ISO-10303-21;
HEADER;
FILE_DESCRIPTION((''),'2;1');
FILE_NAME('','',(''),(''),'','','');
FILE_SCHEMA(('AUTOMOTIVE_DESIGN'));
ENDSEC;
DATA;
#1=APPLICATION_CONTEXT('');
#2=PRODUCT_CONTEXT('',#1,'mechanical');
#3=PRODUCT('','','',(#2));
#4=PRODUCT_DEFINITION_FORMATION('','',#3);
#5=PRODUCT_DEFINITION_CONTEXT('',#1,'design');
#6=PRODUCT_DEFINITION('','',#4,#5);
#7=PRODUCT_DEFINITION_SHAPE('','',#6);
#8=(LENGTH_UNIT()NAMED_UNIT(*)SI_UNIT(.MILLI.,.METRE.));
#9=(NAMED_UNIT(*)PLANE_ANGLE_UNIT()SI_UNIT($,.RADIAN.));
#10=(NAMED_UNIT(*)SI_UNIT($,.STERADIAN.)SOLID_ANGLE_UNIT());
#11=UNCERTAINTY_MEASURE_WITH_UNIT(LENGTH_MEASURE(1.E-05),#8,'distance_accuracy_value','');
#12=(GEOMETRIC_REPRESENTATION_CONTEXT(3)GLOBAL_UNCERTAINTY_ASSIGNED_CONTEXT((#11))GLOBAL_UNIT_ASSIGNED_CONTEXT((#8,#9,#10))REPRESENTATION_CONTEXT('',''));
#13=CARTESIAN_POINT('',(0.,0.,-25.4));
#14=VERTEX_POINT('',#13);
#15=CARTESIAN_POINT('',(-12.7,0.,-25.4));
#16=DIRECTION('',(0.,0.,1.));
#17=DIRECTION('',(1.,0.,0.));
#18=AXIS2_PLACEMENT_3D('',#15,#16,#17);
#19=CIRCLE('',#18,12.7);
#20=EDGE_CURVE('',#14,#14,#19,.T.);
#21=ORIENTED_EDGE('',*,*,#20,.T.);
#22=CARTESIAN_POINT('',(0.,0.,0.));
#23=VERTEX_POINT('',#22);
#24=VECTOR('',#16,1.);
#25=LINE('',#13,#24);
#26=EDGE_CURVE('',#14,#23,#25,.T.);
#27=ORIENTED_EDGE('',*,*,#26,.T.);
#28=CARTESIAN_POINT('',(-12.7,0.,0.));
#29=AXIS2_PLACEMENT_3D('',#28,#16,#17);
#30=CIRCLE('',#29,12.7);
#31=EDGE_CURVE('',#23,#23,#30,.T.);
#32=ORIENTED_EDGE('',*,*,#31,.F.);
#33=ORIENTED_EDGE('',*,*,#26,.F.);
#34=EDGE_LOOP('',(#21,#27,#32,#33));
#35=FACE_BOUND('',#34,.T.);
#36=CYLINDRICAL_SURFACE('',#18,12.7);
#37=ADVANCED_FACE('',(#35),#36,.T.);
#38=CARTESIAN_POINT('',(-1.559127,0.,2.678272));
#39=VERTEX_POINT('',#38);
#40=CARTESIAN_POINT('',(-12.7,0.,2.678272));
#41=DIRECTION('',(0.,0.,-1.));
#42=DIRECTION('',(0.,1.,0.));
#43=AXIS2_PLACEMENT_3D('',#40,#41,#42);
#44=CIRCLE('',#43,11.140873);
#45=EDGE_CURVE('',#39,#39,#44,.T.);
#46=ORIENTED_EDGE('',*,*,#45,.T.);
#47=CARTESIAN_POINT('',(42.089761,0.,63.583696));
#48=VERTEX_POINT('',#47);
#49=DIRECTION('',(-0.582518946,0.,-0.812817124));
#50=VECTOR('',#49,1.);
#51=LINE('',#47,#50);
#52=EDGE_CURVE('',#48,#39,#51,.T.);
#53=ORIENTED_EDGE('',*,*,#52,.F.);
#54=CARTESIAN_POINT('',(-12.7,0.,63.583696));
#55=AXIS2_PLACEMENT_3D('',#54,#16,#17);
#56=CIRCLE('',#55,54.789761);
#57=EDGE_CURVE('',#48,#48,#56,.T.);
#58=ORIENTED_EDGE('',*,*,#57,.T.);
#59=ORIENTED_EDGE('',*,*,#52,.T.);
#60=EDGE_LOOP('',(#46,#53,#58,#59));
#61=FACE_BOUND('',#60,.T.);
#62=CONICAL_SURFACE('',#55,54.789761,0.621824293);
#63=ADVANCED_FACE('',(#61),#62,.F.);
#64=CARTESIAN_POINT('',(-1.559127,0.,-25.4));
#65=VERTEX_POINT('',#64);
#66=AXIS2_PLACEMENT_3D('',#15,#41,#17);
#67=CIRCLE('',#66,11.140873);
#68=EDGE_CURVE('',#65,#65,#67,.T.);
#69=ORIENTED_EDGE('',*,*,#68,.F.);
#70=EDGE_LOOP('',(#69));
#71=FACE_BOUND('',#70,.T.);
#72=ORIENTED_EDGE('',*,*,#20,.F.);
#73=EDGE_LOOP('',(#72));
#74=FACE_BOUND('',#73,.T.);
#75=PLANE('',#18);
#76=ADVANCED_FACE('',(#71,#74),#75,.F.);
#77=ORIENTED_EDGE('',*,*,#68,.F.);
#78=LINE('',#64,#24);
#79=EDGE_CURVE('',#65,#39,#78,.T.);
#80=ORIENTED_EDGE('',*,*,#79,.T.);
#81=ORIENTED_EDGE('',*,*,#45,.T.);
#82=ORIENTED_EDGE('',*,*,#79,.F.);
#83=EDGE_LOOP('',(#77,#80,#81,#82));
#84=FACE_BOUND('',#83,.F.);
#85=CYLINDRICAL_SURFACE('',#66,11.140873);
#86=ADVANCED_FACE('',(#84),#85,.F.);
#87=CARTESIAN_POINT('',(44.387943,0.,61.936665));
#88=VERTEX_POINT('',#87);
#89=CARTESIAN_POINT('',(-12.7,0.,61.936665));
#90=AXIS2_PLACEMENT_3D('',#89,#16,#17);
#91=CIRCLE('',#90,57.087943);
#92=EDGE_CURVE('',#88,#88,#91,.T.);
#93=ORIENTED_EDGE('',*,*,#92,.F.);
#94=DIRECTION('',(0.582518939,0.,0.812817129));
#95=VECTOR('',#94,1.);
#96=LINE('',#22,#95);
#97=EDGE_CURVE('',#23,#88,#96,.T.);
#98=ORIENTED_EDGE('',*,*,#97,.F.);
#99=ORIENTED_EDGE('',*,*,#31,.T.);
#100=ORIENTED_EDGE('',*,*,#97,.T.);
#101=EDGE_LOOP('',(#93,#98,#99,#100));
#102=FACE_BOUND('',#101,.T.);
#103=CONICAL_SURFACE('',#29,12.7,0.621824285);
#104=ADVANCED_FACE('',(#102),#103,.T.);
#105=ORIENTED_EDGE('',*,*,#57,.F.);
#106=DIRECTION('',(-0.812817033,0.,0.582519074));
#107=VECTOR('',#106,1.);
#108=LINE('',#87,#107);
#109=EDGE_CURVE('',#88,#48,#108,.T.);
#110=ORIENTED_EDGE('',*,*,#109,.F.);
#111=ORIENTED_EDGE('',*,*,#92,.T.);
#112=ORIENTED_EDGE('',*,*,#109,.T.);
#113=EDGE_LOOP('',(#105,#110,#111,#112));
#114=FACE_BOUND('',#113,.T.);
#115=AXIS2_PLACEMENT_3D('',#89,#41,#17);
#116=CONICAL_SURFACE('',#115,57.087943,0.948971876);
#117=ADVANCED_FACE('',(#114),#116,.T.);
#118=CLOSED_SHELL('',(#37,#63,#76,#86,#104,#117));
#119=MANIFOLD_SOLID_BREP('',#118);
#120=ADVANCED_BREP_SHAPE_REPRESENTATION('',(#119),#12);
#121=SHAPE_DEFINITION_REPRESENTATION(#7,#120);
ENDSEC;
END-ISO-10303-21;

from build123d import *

# Parameters (mm, degrees)
F2_R     = 11.140873
F3_DEPTH = 50.8


with BuildPart() as f1:
    # F0 (on Front) → F1 (revolve)
    with BuildSketch(Plane.XZ):
        Polygon((-3.478555, 0), (0, 0), (44.387943, 61.936665), (42.089761, 63.583696), align=None)
        Polygon((0, -25.4), (0, 0), (-3.478555, 0), (-12.7, 0), (-12.7, -25.4), align=None)
    revolve(axis=Axis((-12.7, 0, -12.7), (0, 0, 1)))

    # F2 (on face) → F3 (cut)
    with BuildSketch(Plane(origin=(0, 0, -25.4), x_dir=(1, 0, 0), z_dir=(0, 0, -1))):
        with Locations((-12.7, 0)):
            Circle(F2_R)
    extrude(amount=-F3_DEPTH, mode=Mode.SUBTRACT)


solid = f1.part
